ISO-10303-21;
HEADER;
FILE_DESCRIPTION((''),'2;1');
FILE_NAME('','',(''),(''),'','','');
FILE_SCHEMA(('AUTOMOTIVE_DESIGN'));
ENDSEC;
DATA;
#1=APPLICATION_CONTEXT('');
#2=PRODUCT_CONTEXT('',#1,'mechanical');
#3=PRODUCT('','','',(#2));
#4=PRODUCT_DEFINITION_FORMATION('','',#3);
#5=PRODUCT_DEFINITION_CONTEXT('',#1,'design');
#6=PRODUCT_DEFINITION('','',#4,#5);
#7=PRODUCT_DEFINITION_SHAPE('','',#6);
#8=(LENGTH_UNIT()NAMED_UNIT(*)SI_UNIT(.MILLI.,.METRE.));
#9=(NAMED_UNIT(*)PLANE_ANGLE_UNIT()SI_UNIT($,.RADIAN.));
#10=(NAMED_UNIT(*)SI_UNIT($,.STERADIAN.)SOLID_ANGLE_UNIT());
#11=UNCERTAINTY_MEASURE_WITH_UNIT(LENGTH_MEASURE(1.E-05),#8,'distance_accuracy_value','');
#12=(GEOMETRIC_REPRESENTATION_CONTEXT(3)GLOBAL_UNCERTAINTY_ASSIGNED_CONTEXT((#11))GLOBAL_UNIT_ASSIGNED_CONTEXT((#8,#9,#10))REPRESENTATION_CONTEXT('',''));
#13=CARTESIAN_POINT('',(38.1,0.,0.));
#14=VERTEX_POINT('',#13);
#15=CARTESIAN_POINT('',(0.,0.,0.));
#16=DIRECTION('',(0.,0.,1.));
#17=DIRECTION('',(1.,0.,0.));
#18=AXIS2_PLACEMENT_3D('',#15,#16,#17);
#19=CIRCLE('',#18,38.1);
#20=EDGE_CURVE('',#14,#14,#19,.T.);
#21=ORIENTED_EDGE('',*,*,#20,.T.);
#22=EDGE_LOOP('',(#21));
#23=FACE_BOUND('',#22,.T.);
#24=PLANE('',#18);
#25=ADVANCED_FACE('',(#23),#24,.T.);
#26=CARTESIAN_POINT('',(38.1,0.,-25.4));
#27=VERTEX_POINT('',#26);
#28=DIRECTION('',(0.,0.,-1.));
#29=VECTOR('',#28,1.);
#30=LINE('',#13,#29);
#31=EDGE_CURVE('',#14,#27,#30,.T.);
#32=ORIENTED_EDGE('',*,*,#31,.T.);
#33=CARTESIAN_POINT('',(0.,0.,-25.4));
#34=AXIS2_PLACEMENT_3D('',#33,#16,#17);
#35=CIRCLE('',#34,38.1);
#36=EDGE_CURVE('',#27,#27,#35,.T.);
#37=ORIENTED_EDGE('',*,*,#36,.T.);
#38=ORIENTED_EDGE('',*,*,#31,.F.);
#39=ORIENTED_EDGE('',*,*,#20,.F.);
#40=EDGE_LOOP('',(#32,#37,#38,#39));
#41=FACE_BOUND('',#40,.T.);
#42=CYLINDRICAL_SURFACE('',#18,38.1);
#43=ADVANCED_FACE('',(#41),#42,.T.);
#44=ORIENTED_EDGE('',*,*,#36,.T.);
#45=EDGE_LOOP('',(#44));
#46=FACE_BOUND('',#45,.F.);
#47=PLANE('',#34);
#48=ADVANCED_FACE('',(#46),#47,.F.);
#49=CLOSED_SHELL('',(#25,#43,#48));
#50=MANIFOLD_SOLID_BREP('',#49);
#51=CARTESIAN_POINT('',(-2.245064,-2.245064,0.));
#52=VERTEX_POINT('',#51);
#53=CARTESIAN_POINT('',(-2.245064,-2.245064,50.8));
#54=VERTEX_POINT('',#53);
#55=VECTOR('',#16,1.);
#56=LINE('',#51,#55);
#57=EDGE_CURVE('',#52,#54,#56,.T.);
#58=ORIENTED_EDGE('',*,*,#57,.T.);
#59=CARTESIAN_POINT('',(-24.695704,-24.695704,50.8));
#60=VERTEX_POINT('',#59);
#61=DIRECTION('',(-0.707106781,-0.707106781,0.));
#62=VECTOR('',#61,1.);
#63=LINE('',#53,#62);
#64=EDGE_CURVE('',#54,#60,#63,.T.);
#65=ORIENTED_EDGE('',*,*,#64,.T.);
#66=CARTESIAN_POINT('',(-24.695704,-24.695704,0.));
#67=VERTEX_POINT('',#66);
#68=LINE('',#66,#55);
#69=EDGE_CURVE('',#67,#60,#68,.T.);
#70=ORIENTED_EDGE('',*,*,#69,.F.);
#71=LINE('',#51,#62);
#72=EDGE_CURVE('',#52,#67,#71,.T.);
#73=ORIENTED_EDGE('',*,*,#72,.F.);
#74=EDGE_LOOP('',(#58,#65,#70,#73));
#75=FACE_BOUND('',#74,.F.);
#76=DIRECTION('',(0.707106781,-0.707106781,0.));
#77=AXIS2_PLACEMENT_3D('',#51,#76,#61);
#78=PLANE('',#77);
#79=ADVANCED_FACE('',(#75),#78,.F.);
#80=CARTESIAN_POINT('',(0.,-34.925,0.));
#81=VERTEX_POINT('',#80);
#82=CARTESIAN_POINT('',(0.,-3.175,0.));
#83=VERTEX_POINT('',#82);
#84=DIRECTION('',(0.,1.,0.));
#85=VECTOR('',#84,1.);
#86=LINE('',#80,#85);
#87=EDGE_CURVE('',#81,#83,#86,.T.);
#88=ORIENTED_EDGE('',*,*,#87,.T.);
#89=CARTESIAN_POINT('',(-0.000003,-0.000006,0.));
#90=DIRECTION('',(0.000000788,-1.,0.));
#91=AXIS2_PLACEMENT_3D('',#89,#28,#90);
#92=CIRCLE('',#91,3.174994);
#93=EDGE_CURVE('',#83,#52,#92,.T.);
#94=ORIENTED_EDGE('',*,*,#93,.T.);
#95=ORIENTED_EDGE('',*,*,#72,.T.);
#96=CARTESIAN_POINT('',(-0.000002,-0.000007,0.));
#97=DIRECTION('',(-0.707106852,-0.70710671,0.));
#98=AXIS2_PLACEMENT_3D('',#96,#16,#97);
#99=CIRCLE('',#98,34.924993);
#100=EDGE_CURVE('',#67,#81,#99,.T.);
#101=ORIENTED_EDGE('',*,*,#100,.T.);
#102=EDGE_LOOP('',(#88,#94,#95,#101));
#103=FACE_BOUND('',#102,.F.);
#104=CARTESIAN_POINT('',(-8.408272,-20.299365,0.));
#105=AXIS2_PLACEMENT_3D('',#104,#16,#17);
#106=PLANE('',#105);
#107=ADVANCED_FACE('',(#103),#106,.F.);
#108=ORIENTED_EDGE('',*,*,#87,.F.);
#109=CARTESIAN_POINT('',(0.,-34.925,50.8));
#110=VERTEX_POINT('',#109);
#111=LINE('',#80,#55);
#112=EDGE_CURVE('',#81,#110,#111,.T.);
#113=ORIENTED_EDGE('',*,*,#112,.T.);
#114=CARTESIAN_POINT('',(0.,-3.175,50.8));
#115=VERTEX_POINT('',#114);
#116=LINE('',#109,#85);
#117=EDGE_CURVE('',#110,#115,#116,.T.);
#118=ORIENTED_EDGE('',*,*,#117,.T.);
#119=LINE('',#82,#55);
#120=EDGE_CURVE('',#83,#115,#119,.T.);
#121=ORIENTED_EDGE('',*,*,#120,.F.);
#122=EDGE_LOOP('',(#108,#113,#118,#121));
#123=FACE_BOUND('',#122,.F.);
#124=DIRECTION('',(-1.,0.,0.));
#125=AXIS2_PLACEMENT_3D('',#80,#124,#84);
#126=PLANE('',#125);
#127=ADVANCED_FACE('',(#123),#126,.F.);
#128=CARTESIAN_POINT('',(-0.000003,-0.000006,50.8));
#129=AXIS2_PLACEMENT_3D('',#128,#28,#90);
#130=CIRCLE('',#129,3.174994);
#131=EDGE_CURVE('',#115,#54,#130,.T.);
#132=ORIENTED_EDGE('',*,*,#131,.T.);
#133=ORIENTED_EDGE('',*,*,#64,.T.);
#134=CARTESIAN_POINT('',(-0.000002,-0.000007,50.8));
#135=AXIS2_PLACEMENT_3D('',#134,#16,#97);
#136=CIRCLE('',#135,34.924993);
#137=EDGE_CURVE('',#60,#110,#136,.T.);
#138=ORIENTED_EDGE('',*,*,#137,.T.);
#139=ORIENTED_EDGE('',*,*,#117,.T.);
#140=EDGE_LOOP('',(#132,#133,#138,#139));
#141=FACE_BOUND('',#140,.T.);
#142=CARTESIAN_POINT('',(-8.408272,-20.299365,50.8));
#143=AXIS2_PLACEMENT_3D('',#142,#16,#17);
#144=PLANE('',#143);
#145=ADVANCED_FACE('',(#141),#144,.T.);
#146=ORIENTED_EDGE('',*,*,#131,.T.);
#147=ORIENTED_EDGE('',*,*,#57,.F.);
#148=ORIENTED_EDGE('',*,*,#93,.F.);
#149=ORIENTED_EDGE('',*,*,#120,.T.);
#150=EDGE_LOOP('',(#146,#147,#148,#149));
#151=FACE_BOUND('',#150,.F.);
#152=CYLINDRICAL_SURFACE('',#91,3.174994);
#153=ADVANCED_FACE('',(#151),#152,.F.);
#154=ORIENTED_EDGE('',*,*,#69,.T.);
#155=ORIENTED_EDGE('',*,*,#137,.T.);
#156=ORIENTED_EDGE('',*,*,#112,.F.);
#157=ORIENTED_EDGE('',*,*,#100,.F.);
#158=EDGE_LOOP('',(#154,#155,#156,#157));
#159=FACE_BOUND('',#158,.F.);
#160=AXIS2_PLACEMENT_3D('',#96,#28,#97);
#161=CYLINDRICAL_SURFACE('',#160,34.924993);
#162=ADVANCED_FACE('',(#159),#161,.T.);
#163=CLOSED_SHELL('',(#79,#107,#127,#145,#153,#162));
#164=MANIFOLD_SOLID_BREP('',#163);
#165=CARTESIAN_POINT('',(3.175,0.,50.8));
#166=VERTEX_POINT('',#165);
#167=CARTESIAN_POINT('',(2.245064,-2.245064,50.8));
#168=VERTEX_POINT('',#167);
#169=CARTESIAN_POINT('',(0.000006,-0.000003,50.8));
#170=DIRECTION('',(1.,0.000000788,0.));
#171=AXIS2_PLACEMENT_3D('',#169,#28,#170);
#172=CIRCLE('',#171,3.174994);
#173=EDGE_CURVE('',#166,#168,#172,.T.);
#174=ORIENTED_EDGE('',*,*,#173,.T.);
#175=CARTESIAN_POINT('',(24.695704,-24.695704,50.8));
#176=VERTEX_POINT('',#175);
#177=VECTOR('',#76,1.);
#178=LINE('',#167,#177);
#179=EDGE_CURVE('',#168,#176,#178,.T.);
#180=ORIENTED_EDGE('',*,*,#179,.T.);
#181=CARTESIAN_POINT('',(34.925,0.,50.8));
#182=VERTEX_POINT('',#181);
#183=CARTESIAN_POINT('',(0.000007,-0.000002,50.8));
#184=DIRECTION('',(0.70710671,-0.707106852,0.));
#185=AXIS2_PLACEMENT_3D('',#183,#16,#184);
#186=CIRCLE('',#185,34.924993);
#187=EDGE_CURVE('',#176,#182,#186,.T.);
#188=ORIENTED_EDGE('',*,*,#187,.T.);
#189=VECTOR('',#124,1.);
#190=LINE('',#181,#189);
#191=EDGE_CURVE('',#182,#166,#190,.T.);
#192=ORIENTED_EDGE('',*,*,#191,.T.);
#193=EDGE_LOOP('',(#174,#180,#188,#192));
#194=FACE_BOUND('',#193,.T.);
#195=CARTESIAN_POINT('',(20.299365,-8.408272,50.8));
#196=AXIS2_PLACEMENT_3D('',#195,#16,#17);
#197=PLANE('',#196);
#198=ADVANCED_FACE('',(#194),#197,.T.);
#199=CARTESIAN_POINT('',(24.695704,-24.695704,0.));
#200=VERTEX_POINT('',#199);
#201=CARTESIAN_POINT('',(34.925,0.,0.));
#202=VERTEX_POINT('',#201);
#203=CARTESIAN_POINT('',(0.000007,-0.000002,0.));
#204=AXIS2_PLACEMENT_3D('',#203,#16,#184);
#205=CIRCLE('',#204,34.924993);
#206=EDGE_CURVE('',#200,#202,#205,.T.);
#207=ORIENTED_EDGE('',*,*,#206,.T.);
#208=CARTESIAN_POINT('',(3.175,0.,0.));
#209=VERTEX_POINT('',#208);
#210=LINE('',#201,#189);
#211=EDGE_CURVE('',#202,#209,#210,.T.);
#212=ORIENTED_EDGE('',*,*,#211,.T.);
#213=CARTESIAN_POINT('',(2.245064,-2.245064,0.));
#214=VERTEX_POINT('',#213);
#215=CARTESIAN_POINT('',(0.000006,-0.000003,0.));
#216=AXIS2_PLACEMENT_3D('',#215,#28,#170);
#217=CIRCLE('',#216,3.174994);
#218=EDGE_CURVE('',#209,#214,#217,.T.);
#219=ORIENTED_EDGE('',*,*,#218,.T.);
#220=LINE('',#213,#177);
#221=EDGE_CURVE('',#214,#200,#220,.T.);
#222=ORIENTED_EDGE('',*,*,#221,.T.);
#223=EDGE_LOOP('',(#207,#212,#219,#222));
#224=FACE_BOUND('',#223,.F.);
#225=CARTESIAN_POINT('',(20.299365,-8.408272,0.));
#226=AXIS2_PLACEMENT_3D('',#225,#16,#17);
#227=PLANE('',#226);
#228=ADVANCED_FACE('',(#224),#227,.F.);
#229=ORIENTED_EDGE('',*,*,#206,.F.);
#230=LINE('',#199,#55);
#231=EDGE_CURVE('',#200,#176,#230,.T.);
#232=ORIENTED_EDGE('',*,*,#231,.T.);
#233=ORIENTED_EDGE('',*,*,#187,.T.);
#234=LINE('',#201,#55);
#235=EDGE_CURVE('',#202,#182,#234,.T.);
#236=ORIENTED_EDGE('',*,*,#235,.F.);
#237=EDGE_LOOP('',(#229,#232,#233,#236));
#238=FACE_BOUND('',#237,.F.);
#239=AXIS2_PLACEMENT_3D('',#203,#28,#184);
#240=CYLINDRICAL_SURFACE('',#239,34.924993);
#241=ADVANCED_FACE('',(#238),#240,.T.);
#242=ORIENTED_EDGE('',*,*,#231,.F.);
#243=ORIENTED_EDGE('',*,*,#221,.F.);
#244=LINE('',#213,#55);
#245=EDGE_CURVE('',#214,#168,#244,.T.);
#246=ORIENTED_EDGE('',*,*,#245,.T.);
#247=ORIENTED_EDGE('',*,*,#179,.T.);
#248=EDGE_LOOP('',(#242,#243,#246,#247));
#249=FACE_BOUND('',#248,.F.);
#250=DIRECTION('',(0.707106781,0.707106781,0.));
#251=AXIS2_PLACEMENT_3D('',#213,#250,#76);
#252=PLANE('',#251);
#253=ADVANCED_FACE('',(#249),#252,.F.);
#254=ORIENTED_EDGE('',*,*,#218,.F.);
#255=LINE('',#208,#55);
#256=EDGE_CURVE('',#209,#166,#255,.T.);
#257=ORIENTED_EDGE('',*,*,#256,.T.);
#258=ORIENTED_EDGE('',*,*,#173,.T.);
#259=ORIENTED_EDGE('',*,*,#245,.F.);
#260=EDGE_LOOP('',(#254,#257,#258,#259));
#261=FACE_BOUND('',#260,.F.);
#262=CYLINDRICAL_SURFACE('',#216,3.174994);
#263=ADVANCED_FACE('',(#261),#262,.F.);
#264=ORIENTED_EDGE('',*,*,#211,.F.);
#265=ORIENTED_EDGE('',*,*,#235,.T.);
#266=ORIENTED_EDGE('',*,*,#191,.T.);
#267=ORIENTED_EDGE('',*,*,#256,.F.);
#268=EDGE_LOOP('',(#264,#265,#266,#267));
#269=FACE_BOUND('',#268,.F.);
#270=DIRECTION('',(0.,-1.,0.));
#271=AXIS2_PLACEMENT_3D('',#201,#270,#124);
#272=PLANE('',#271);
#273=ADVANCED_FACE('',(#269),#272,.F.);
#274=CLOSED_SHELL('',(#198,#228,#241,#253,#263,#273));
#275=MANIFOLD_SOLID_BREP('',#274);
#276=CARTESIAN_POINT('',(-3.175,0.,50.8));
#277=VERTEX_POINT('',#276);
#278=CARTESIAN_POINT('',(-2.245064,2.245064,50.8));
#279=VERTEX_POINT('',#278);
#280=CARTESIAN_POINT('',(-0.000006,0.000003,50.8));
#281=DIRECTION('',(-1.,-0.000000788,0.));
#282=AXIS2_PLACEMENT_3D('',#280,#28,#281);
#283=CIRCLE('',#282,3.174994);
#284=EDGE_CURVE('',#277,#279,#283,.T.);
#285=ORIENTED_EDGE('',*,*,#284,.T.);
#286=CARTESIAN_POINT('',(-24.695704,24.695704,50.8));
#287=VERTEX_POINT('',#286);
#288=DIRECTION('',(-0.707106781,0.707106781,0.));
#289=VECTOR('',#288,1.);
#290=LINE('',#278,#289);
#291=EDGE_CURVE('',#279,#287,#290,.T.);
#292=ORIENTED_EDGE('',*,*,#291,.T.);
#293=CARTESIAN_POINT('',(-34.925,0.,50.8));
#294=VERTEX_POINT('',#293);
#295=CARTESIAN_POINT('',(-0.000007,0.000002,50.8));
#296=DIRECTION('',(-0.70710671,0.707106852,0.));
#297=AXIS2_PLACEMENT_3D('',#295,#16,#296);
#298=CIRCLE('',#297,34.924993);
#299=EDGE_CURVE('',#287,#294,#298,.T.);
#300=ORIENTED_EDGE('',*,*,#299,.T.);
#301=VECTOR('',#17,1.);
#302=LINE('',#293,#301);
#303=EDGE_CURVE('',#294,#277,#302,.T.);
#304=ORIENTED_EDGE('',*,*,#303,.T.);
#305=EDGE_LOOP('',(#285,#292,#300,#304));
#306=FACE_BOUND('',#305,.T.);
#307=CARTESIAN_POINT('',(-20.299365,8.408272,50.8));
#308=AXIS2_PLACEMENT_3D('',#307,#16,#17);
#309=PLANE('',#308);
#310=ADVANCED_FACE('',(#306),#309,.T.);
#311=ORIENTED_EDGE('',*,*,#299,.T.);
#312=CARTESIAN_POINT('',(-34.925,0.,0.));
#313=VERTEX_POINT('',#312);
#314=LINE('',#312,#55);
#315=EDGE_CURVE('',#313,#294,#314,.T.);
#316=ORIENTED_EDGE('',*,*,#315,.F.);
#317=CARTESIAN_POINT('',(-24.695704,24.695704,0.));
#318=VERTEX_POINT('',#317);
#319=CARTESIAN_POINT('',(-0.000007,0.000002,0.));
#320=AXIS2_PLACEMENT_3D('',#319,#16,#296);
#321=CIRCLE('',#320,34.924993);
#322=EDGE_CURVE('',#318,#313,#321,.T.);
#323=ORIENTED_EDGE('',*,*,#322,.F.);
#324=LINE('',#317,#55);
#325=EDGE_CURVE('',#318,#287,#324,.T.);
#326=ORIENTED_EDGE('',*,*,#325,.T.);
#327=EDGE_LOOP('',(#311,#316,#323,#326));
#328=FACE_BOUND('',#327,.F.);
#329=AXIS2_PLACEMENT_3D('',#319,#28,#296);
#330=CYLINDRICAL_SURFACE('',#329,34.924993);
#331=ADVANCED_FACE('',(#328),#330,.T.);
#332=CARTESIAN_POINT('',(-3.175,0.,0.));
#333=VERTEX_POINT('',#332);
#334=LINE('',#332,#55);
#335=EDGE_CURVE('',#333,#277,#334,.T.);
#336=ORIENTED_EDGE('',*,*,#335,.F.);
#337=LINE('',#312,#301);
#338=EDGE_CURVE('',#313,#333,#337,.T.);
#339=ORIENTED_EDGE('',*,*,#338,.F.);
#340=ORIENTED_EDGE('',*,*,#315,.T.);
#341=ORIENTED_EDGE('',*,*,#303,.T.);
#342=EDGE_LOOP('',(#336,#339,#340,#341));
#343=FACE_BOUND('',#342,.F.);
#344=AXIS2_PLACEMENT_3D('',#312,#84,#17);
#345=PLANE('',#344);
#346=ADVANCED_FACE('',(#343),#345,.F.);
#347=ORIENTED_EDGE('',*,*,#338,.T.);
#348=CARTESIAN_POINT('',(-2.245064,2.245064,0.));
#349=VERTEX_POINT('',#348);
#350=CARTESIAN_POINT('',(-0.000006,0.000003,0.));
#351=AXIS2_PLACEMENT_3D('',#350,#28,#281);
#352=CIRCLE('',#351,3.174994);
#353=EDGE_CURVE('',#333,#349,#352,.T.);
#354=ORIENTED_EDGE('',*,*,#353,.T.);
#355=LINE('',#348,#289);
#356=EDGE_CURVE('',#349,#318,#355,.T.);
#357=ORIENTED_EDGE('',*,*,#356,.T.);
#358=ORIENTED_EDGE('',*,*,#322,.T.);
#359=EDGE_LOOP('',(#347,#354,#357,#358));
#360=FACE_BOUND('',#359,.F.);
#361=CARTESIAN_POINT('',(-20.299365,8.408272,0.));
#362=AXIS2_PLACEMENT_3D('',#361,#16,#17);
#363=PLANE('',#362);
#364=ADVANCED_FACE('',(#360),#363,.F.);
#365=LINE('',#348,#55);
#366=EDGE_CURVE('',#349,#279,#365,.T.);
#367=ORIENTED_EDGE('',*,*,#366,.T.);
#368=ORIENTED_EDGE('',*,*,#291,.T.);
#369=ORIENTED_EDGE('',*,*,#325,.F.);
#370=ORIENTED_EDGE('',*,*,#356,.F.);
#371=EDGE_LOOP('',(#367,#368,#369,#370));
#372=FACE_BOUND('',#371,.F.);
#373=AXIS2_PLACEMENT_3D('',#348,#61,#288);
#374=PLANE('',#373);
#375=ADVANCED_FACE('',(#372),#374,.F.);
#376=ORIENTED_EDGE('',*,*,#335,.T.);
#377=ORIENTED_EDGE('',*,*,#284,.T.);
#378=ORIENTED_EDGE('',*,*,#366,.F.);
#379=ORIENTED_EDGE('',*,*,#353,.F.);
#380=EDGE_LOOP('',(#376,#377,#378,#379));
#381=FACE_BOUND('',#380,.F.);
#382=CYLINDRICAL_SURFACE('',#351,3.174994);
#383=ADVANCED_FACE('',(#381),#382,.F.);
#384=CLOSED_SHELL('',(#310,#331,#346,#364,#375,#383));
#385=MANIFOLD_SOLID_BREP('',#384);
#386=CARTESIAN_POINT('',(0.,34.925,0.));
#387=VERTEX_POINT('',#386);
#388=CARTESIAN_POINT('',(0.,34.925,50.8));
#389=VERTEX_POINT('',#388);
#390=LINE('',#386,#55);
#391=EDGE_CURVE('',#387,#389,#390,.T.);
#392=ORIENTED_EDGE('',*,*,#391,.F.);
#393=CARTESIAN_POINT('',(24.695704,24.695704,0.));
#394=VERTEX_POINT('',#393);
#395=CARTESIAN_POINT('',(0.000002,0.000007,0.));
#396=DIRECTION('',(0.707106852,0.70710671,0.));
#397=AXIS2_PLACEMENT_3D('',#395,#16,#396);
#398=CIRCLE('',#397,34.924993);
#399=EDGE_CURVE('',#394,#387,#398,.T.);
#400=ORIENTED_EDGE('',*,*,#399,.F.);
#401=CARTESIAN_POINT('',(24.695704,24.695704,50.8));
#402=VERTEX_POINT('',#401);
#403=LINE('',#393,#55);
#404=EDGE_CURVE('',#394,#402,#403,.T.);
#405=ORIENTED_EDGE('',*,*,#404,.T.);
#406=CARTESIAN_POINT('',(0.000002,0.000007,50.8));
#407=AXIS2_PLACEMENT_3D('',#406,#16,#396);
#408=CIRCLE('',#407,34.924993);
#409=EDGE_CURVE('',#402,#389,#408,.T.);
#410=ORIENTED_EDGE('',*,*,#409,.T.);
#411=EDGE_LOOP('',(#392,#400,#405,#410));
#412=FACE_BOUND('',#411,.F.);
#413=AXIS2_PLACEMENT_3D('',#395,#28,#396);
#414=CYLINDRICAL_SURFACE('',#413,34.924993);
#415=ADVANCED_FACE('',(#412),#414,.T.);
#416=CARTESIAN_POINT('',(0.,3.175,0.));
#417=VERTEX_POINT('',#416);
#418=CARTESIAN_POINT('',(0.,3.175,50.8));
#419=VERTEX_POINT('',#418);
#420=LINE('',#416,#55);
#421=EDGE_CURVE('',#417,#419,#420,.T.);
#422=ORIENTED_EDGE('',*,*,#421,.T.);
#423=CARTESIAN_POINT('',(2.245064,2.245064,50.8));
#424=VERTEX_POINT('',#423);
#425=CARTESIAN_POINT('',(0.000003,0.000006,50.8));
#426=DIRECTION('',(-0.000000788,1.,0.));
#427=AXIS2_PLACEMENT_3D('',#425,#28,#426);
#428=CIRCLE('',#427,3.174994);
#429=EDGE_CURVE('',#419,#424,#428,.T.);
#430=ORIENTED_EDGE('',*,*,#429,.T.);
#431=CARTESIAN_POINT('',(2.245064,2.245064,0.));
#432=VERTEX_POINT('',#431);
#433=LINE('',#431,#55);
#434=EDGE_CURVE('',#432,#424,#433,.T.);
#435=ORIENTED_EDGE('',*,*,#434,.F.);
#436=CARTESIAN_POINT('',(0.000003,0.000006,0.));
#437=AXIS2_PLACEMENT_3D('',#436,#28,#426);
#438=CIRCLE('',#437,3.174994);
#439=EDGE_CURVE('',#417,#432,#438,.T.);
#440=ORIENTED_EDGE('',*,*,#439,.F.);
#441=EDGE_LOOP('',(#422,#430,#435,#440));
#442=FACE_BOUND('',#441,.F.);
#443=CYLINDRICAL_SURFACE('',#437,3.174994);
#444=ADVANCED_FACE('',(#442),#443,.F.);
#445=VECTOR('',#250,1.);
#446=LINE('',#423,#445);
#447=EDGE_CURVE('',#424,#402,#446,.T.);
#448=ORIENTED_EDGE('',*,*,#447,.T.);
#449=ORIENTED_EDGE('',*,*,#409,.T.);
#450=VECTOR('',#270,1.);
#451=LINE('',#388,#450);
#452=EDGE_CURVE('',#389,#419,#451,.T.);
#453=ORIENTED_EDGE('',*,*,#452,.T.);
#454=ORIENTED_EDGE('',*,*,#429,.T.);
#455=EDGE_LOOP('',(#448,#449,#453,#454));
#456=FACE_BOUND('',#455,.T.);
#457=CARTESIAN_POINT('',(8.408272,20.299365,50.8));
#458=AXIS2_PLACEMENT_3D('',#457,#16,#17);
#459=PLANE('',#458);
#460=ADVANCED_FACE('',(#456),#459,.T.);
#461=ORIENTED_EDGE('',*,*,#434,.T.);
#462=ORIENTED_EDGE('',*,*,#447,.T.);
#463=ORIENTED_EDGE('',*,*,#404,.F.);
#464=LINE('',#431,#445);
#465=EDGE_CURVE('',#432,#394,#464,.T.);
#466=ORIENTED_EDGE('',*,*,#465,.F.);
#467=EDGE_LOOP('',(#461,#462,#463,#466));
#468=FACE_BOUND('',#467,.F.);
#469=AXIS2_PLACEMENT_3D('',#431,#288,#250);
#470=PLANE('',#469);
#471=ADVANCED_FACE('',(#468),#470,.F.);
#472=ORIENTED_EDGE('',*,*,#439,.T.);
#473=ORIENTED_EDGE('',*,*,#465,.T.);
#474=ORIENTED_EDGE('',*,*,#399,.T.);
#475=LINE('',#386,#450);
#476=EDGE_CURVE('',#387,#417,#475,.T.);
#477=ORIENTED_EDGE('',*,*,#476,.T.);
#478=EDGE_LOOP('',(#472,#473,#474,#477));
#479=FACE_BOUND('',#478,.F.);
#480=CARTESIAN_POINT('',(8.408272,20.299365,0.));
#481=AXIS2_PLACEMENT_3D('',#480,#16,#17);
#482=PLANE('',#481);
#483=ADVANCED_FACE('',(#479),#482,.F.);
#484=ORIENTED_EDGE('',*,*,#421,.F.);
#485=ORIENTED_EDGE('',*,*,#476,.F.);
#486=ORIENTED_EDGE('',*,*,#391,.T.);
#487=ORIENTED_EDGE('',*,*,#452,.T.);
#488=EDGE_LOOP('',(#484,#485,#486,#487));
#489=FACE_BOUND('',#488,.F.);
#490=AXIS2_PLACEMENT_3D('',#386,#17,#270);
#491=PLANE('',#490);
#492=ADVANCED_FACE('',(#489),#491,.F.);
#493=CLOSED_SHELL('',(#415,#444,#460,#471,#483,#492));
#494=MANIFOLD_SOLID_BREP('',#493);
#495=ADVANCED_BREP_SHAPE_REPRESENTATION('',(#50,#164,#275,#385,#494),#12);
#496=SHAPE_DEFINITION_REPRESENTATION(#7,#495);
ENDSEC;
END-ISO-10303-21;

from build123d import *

# Parameters (mm, degrees)
F1_DEPTH = 50.8
F2_R     = 38.1
F3_DEPTH = 25.4


with BuildPart() as f1:
    # F0 (on Top) → F1 (new body)
    with BuildSketch(Plane.XY):
        with BuildLine():
            ThreePointArc((-24.695704, -24.695704), (-13.365219, -32.266493), (0, -34.925))
            Line((0, -34.925), (0, -3.175))
            ThreePointArc((0, -3.175), (-1.21502, -2.933318), (-2.245064, -2.245064))
            Line((-2.245064, -2.245064), (-24.695704, -24.695704))
        make_face()
        with BuildLine():
            Line((-2.245064, 2.245064), (-24.695704, 24.695704))
            ThreePointArc((-24.695704, 24.695704), (-32.266493, 13.365219), (-34.925, 0))
            Line((-34.925, 0), (-3.175, 0))
            ThreePointArc((-3.175, 0), (-2.933318, 1.21502), (-2.245064, 2.245064))
        make_face()
        with BuildLine():
            Line((2.245064, 2.245064), (24.695704, 24.695704))
            ThreePointArc((24.695704, 24.695704), (13.365219, 32.266493), (0, 34.925))
            Line((0, 34.925), (0, 3.175))
            ThreePointArc((0, 3.175), (1.21502, 2.933318), (2.245064, 2.245064))
        make_face()
        with BuildLine():
            ThreePointArc((24.695704, -24.695704), (32.266493, -13.365219), (34.925, 0))
            Line((34.925, 0), (3.175, 0))
            ThreePointArc((3.175, 0), (2.933318, -1.21502), (2.245064, -2.245064))
            Line((2.245064, -2.245064), (24.695704, -24.695704))
        make_face()
    extrude(amount=F1_DEPTH)


with BuildPart() as f3:
    # F2 (on Top) → F3 (new body)
    with BuildSketch(Plane.XY):
        Circle(F2_R)
    extrude(amount=-F3_DEPTH)


solid = Compound([f1.part, f3.part])
